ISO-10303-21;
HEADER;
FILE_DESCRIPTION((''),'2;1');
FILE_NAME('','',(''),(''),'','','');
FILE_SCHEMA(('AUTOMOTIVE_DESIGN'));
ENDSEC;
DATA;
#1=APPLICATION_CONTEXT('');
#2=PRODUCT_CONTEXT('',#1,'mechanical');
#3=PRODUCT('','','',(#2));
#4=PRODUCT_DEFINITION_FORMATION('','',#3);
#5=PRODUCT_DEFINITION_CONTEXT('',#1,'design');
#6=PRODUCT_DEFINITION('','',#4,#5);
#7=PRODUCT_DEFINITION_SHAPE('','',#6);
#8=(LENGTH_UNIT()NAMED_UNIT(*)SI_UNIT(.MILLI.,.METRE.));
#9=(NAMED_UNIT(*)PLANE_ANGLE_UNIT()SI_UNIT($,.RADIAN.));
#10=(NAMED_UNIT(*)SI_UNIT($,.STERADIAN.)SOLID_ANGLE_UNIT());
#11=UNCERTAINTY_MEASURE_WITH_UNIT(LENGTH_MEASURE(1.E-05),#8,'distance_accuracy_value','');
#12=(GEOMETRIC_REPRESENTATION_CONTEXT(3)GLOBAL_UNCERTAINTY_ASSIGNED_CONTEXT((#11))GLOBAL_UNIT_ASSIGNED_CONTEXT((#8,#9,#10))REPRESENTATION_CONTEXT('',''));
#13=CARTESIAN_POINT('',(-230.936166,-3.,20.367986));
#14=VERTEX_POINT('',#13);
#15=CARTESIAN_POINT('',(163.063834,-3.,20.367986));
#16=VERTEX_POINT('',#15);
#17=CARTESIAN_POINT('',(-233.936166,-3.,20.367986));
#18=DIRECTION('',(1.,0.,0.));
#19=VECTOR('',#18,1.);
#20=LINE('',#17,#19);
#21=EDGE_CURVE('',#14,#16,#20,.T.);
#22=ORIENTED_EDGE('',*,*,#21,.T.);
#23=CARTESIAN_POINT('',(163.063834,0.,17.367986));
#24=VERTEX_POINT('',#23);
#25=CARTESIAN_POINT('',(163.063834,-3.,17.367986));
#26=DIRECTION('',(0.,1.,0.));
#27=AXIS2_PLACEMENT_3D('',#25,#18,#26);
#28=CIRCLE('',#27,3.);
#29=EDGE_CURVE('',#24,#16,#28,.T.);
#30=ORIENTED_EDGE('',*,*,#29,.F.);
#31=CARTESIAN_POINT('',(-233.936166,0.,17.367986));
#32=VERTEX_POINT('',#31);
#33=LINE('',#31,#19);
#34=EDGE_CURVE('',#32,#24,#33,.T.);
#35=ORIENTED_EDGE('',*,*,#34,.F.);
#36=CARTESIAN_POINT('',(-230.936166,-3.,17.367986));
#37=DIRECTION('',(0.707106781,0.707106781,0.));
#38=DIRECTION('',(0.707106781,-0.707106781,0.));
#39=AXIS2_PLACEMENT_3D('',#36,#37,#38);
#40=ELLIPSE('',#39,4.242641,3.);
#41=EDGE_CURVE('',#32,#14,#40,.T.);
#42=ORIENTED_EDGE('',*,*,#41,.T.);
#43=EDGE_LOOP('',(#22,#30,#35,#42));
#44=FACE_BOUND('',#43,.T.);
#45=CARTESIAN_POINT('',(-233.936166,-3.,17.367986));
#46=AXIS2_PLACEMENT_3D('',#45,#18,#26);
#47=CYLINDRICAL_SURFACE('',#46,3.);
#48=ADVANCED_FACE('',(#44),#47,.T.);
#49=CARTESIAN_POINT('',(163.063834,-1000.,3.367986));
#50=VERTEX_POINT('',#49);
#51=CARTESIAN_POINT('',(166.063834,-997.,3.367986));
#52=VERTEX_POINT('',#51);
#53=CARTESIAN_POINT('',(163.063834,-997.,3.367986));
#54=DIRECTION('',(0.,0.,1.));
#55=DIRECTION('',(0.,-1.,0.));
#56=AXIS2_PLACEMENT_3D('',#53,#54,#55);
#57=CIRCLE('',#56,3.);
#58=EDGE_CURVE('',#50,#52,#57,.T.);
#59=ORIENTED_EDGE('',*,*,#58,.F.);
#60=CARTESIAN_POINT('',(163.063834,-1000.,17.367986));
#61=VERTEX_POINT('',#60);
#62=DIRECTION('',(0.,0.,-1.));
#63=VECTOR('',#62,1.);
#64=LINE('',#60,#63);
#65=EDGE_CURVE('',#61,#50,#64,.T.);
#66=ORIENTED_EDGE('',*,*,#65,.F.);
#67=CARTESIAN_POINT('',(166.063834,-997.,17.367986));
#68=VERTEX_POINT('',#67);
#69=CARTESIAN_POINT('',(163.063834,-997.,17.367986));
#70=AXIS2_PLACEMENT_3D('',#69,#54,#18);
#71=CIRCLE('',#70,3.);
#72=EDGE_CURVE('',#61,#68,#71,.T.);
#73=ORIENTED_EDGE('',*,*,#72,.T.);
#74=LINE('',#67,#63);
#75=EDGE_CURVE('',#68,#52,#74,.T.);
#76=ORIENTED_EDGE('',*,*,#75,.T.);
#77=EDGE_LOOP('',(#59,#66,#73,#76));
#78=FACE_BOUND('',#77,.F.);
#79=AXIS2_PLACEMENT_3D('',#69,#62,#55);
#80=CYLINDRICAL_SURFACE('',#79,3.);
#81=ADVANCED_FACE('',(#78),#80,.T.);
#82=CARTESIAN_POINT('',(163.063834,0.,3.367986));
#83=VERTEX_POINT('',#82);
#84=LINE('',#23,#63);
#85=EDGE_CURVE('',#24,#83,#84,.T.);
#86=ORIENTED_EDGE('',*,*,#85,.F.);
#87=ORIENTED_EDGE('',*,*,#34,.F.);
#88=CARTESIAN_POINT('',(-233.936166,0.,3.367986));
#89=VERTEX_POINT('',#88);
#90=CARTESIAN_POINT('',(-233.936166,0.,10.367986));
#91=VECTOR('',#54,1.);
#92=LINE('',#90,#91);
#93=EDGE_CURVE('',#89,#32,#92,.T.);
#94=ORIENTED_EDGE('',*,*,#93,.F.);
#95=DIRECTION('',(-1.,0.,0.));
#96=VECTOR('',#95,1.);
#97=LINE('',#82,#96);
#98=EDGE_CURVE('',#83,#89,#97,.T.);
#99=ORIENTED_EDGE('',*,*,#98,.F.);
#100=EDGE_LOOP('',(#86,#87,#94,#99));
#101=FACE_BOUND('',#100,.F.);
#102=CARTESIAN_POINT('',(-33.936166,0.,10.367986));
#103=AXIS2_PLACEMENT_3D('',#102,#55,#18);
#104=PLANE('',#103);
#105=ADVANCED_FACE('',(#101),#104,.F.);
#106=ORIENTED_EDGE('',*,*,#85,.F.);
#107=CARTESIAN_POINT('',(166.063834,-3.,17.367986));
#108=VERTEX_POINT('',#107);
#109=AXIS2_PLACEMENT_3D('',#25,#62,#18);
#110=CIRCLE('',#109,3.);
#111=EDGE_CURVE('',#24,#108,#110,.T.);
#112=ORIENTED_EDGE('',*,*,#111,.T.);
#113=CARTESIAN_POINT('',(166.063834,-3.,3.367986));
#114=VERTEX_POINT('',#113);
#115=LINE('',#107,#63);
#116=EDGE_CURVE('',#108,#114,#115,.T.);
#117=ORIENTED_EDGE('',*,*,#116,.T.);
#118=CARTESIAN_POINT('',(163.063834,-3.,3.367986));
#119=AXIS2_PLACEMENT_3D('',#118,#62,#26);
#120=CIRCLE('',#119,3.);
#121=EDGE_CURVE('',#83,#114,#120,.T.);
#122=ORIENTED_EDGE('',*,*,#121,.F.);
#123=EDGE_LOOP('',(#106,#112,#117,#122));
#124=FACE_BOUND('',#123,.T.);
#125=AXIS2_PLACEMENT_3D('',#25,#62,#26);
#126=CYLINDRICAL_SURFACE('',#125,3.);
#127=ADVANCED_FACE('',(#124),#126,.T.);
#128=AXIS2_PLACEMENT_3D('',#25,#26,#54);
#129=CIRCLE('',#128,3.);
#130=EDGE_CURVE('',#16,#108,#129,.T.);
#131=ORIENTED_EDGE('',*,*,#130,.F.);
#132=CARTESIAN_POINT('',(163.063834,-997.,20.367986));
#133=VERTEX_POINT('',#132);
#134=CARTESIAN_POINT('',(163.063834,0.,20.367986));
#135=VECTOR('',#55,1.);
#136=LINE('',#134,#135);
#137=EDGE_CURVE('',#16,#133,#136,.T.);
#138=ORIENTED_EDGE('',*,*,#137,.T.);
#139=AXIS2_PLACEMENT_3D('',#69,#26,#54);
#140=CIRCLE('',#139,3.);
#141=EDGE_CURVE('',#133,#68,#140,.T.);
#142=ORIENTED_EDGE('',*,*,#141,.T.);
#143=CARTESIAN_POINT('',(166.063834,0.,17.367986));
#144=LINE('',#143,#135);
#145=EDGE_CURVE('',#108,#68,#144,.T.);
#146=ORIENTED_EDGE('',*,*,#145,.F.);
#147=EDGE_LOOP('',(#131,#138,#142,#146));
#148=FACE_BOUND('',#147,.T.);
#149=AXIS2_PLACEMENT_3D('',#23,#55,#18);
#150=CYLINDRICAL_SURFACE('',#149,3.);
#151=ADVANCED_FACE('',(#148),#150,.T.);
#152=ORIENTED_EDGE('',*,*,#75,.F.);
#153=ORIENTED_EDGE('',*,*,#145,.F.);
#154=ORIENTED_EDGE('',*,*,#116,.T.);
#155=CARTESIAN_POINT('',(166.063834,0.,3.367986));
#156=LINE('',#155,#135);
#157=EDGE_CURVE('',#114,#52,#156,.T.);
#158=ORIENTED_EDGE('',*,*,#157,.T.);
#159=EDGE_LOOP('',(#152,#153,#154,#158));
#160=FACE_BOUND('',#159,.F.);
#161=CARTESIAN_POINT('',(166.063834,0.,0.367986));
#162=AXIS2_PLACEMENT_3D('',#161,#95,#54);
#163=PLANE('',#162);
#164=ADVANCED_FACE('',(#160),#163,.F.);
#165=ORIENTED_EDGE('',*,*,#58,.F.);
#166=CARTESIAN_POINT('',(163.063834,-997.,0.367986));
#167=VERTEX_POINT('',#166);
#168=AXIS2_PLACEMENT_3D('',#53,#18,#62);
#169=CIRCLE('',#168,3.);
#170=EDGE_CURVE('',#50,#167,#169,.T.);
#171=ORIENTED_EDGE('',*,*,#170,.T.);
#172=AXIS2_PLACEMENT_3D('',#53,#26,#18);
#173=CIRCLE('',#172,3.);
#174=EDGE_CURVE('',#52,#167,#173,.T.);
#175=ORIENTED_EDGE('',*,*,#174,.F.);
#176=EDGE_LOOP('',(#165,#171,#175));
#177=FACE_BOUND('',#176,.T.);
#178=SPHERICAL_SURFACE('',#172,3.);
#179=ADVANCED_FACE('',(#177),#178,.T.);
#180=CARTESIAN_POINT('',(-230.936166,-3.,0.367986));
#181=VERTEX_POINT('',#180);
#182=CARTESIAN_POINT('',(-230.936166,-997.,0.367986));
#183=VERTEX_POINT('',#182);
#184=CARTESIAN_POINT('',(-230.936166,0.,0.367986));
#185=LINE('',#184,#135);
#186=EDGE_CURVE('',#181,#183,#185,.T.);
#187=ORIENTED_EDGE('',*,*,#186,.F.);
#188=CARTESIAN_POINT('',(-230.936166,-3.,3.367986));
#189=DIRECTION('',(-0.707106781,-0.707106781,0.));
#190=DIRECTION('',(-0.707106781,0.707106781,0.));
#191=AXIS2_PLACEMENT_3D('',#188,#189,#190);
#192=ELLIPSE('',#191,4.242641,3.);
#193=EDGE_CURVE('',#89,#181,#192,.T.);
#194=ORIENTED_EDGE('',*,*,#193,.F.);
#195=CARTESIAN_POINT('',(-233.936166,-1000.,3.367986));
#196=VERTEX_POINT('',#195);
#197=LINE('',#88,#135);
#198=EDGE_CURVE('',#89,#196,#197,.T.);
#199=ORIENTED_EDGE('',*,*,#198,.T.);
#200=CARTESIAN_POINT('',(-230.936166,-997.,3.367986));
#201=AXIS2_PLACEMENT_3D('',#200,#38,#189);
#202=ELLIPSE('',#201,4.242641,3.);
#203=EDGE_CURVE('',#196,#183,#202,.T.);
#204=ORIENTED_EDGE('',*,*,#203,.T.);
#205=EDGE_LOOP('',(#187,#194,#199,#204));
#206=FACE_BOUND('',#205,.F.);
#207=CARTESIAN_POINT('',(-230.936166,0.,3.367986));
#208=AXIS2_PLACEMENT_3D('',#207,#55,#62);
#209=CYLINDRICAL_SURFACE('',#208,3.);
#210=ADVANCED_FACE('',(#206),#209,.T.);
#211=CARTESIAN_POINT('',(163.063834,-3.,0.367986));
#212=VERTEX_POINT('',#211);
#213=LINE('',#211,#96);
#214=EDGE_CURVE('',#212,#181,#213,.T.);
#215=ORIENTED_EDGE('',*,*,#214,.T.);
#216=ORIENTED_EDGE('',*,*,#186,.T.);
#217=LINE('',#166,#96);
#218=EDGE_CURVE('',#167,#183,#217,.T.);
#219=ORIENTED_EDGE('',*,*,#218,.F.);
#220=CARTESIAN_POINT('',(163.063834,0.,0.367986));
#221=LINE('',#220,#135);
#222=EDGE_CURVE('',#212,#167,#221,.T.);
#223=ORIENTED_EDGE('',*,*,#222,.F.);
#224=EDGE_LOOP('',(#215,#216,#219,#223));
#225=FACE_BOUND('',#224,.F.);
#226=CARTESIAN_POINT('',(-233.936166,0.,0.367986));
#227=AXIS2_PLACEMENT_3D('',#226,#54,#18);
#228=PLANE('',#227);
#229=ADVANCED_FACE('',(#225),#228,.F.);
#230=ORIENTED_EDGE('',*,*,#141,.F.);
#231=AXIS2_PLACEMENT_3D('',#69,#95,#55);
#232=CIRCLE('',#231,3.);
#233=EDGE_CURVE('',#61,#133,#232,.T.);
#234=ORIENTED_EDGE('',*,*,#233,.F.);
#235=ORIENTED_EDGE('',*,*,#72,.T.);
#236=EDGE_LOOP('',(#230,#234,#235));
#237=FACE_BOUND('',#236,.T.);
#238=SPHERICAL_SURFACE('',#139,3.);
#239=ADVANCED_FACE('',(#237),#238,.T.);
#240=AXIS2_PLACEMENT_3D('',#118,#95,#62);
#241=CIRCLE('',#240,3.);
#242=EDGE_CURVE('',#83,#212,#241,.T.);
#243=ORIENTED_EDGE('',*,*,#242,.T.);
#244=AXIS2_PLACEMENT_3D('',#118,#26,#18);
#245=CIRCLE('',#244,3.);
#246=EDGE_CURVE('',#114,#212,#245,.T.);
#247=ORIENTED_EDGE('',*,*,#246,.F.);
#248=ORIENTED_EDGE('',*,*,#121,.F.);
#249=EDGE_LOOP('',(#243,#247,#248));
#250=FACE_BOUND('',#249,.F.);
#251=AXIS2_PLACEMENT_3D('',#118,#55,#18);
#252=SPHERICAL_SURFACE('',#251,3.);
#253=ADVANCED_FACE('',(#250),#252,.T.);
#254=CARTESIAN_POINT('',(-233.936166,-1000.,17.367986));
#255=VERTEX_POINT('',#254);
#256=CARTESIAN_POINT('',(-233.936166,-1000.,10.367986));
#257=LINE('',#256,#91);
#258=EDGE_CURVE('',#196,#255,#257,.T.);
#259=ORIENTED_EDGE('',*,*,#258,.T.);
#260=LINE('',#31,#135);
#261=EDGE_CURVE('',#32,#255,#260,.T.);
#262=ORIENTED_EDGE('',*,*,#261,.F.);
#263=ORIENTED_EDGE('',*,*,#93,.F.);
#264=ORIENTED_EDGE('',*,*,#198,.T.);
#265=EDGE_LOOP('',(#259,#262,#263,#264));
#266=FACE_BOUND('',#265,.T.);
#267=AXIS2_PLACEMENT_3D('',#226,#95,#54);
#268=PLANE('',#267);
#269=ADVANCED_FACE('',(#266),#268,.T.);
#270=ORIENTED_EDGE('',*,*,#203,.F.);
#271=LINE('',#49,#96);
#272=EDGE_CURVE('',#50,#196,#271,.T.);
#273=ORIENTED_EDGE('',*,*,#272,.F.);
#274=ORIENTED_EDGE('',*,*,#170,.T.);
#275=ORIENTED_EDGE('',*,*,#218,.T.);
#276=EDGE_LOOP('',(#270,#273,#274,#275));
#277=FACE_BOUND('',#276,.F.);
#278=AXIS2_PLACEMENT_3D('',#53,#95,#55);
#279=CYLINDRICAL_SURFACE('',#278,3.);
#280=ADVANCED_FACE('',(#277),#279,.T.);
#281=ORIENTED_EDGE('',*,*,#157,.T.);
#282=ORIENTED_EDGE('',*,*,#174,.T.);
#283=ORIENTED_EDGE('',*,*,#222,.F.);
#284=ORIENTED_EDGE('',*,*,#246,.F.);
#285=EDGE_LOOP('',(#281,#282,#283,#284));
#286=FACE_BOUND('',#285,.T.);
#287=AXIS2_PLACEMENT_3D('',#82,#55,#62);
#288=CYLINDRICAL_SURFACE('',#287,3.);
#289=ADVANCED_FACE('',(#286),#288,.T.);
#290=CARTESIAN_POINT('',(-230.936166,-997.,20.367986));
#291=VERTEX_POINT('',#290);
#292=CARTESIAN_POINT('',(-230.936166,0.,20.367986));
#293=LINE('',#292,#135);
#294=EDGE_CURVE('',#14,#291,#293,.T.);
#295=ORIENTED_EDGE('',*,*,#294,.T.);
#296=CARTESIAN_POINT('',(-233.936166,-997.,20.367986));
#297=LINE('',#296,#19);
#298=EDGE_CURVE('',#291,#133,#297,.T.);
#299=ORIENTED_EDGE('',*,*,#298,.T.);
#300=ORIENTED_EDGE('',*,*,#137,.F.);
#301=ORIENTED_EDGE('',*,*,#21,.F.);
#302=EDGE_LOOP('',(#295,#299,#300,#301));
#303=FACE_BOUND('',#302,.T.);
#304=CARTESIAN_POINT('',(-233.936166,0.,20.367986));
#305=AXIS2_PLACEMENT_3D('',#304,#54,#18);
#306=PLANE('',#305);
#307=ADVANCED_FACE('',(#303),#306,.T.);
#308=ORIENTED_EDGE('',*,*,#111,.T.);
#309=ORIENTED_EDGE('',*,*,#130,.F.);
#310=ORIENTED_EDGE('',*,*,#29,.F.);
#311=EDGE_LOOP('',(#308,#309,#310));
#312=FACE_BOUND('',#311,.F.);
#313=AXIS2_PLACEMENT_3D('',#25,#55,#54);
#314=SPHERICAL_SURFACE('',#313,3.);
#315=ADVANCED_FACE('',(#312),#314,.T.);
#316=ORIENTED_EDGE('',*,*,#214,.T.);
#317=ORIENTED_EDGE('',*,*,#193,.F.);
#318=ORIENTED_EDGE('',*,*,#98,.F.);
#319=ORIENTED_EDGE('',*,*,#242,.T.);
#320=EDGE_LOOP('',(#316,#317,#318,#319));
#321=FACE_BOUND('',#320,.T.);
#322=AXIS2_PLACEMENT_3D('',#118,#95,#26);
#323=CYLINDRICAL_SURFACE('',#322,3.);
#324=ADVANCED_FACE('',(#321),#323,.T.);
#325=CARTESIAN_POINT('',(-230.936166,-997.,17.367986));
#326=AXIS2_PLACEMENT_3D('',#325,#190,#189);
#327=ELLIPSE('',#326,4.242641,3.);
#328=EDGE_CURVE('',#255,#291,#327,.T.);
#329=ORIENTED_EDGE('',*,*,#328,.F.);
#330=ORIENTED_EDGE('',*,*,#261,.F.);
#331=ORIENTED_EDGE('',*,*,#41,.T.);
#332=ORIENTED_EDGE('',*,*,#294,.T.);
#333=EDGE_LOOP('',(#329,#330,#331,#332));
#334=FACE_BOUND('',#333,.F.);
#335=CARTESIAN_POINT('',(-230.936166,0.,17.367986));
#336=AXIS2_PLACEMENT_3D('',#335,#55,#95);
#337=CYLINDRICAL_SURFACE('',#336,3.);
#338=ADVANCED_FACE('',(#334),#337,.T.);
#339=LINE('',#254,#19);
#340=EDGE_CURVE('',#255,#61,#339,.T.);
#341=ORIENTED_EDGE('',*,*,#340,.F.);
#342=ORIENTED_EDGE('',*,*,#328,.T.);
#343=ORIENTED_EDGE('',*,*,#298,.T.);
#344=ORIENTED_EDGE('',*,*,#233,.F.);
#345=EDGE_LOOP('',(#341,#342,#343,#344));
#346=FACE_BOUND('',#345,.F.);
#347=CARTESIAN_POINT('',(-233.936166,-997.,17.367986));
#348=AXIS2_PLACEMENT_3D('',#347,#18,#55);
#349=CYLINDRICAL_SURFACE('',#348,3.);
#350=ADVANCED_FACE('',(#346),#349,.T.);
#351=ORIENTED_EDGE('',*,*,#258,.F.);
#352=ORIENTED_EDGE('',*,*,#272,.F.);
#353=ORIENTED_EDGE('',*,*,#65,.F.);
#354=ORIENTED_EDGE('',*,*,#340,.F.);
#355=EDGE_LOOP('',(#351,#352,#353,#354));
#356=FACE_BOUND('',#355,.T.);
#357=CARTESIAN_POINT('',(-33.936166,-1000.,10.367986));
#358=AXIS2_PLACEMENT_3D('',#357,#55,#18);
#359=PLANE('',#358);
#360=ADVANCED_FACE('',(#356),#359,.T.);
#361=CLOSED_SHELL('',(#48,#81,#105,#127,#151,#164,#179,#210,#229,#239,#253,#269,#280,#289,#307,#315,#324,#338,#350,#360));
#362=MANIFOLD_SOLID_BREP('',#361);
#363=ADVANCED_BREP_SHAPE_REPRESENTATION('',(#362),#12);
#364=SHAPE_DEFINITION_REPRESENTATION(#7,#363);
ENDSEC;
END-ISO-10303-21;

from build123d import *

# Parameters (mm, degrees)
F0_W     = 400
F0_H     = 20
F1_DEPTH = 1000
F2_R     = 3
F3_R     = 3


with BuildPart() as f1:
    # F0 (on Front) → F1 (new body)
    with BuildSketch(Plane.XZ):
        with Locations((-33.936166, 10.367986)):
            Rectangle(F0_W, F0_H)
    extrude(amount=F1_DEPTH)

    # F2
    f2_edges = [f1.edges().sort_by_distance(p)[0] for p in [
        (166.063834, -500, 20.367986),
        (166.063834, -500, 0.367986),
    ]]
    fillet(f2_edges, radius=F2_R)

    # F3
    f3_edges = [f1.edges().sort_by_distance(p)[0] for p in [
        (-35.436166, 0, 20.367986),
        (163.063834, -500, 20.367986),
        (-233.936166, -500, 20.367986),
        (-35.436166, -1000, 20.367986),
        (-35.436166, 0, 0.367986),
        (163.063834, -500, 0.367986),
        (-233.936166, -500, 0.367986),
        (-35.436166, -1000, 0.367986),
    ]]
    fillet(f3_edges, radius=F3_R)


solid = f1.part
